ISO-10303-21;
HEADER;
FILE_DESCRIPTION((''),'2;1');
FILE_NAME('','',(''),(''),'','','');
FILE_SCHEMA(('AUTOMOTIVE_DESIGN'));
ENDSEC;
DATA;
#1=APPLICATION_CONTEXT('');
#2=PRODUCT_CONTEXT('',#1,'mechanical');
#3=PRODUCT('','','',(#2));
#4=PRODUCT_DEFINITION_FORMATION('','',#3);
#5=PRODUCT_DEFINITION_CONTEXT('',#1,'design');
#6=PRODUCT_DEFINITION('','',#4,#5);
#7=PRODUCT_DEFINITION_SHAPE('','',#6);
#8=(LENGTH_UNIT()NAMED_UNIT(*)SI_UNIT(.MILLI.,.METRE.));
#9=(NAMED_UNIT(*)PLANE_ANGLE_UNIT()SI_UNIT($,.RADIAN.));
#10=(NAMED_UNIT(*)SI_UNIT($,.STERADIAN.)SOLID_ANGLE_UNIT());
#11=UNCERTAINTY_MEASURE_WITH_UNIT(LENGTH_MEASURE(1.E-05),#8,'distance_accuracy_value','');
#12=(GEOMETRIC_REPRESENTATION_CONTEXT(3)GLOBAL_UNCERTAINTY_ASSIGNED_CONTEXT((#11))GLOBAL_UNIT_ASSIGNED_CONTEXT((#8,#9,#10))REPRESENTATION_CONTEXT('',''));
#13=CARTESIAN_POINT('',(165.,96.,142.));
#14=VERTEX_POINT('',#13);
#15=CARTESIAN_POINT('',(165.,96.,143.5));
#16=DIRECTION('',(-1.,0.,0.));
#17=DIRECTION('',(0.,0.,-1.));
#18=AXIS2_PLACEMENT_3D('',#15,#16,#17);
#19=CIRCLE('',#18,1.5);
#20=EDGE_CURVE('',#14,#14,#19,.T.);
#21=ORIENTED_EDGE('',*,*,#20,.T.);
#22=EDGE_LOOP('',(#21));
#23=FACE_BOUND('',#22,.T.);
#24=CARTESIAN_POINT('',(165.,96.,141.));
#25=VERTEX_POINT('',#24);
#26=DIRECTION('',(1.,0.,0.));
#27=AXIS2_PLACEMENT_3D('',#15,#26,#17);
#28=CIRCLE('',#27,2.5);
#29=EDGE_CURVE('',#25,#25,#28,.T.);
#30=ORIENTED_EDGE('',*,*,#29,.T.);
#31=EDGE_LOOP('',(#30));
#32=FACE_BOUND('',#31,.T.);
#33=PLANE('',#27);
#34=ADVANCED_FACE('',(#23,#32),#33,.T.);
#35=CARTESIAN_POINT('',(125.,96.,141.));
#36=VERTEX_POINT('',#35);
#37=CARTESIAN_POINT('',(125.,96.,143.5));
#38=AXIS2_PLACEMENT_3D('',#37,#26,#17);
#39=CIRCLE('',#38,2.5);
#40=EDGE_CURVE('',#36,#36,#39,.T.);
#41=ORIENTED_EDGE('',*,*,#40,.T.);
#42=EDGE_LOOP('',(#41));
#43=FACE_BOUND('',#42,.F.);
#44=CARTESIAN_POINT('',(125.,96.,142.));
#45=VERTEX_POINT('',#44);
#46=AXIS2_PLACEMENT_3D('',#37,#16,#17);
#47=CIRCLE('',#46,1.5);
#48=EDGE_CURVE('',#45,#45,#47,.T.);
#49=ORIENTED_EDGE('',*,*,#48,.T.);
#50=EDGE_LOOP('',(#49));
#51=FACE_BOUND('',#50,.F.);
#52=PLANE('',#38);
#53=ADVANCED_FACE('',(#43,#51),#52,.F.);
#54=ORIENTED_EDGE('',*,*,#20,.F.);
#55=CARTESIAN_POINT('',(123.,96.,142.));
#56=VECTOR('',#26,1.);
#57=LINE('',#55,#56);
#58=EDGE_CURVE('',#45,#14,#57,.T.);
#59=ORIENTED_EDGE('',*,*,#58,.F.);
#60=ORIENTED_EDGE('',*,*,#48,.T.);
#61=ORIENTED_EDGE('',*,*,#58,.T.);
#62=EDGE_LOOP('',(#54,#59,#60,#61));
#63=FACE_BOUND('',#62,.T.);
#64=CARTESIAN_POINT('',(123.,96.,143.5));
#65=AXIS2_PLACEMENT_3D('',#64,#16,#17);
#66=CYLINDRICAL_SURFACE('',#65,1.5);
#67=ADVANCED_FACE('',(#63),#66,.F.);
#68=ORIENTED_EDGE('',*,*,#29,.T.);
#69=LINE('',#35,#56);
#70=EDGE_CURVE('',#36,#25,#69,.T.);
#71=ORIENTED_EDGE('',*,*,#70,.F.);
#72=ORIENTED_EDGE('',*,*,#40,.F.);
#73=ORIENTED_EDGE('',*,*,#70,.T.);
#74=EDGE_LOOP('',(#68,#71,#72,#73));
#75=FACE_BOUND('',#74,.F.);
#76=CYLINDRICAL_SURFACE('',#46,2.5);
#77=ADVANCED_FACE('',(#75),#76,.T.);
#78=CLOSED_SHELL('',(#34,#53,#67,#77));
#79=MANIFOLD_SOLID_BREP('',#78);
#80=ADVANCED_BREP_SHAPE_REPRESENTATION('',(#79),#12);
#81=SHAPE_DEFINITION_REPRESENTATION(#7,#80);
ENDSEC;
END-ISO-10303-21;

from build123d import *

# Parameters (mm, degrees)
CYLINDER003_R           = 1.5
CYLINDER003_DEPTH       = 44
CYLINDER003_PITCH_ANGLE = 90
CYLINDER002_R           = 2.5
CYLINDER002_DEPTH       = 40
CYLINDER002_PITCH_ANGLE = 90


with BuildPart() as cilindro003:
    # Cylinder003 → Cylinder003 (new body)
    with BuildSketch(Plane.XY):
        Circle(CYLINDER003_R)
    extrude(amount=CYLINDER003_DEPTH)


with BuildPart() as cilindro003_1:
    # Cylinder003 pitch: moved
    add(cilindro003.part.rotate(Axis((0, 0, 0), (0, 1, 0)), CYLINDER003_PITCH_ANGLE))


with BuildPart() as cilindro003_2:
    # Cylinder003 placement: moved
    add(cilindro003_1.part.moved(Location((-2, 0, 0))))


with BuildPart() as soporte2:
    # Cylinder002 → Cylinder002 (new body)
    with BuildSketch(Plane.XY):
        Circle(CYLINDER002_R)
    extrude(amount=CYLINDER002_DEPTH)


with BuildPart() as soporte2_1:
    # Cylinder002 pitch: moved
    add(soporte2.part.rotate(Axis((0, 0, 0), (0, 1, 0)), CYLINDER002_PITCH_ANGLE))


with BuildPart() as soporte2_2:
    # Cylinder002 placement: moved
    add(soporte2_1.part)

    # Cut001: cut Cilindro003
    add(cilindro003_2.part, mode=Mode.SUBTRACT)


with BuildPart() as soporte2_3:
    # Cut001 placement: moved
    add(soporte2_2.part.moved(Location((125, 96, 143.5))))


solid = soporte2_3.part
